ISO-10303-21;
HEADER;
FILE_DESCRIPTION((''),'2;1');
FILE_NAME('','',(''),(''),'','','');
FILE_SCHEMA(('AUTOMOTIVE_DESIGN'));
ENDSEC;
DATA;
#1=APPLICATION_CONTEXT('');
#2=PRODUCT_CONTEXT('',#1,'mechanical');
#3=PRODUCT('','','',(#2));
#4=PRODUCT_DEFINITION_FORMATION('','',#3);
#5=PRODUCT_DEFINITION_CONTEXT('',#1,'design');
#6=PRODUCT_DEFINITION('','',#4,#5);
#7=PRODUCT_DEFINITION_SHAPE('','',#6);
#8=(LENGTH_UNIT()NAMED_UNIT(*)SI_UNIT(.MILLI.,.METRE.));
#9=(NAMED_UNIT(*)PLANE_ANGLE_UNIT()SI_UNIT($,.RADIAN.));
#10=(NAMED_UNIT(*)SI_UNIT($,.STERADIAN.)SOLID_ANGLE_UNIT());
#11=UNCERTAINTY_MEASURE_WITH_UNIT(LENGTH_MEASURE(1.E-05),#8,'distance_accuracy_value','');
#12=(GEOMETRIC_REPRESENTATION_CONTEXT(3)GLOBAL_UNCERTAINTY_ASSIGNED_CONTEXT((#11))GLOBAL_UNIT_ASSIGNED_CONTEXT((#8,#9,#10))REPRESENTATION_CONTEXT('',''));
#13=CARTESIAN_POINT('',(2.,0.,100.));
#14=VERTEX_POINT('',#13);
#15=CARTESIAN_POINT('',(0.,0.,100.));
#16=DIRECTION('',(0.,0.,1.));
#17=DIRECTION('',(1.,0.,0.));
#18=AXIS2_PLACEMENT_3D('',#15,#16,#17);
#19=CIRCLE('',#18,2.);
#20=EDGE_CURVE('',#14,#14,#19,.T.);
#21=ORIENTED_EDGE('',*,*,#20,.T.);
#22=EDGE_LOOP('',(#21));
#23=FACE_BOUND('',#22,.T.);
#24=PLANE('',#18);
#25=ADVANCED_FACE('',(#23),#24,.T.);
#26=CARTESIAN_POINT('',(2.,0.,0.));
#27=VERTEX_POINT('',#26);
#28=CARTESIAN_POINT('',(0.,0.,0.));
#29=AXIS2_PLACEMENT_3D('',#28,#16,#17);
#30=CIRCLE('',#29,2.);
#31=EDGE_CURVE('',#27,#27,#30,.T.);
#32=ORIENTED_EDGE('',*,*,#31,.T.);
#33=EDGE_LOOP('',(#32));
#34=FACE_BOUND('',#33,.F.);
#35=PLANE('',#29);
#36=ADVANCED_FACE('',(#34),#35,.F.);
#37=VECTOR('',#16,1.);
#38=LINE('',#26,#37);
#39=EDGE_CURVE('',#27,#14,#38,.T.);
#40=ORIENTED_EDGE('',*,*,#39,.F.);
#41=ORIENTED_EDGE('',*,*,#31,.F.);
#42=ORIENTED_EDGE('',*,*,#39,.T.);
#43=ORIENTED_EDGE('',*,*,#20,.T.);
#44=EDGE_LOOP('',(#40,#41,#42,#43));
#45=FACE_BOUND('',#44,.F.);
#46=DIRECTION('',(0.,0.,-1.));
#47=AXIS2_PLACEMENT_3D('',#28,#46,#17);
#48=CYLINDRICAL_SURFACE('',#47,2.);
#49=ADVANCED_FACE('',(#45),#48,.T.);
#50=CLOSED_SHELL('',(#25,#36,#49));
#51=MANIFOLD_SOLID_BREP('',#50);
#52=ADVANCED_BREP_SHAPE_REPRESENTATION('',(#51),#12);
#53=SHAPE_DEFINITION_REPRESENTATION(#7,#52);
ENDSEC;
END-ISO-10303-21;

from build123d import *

# Parameters (mm, degrees)
CROQUIS1_R              = 2
SALIENTE_EXTRUIR1_DEPTH = 100


with BuildPart() as part:
    # Croquis1 → Saliente-Extruir1 (new body)
    with BuildSketch(Plane.XY):
        Circle(CROQUIS1_R)
    extrude(amount=SALIENTE_EXTRUIR1_DEPTH)


solid = part.part
